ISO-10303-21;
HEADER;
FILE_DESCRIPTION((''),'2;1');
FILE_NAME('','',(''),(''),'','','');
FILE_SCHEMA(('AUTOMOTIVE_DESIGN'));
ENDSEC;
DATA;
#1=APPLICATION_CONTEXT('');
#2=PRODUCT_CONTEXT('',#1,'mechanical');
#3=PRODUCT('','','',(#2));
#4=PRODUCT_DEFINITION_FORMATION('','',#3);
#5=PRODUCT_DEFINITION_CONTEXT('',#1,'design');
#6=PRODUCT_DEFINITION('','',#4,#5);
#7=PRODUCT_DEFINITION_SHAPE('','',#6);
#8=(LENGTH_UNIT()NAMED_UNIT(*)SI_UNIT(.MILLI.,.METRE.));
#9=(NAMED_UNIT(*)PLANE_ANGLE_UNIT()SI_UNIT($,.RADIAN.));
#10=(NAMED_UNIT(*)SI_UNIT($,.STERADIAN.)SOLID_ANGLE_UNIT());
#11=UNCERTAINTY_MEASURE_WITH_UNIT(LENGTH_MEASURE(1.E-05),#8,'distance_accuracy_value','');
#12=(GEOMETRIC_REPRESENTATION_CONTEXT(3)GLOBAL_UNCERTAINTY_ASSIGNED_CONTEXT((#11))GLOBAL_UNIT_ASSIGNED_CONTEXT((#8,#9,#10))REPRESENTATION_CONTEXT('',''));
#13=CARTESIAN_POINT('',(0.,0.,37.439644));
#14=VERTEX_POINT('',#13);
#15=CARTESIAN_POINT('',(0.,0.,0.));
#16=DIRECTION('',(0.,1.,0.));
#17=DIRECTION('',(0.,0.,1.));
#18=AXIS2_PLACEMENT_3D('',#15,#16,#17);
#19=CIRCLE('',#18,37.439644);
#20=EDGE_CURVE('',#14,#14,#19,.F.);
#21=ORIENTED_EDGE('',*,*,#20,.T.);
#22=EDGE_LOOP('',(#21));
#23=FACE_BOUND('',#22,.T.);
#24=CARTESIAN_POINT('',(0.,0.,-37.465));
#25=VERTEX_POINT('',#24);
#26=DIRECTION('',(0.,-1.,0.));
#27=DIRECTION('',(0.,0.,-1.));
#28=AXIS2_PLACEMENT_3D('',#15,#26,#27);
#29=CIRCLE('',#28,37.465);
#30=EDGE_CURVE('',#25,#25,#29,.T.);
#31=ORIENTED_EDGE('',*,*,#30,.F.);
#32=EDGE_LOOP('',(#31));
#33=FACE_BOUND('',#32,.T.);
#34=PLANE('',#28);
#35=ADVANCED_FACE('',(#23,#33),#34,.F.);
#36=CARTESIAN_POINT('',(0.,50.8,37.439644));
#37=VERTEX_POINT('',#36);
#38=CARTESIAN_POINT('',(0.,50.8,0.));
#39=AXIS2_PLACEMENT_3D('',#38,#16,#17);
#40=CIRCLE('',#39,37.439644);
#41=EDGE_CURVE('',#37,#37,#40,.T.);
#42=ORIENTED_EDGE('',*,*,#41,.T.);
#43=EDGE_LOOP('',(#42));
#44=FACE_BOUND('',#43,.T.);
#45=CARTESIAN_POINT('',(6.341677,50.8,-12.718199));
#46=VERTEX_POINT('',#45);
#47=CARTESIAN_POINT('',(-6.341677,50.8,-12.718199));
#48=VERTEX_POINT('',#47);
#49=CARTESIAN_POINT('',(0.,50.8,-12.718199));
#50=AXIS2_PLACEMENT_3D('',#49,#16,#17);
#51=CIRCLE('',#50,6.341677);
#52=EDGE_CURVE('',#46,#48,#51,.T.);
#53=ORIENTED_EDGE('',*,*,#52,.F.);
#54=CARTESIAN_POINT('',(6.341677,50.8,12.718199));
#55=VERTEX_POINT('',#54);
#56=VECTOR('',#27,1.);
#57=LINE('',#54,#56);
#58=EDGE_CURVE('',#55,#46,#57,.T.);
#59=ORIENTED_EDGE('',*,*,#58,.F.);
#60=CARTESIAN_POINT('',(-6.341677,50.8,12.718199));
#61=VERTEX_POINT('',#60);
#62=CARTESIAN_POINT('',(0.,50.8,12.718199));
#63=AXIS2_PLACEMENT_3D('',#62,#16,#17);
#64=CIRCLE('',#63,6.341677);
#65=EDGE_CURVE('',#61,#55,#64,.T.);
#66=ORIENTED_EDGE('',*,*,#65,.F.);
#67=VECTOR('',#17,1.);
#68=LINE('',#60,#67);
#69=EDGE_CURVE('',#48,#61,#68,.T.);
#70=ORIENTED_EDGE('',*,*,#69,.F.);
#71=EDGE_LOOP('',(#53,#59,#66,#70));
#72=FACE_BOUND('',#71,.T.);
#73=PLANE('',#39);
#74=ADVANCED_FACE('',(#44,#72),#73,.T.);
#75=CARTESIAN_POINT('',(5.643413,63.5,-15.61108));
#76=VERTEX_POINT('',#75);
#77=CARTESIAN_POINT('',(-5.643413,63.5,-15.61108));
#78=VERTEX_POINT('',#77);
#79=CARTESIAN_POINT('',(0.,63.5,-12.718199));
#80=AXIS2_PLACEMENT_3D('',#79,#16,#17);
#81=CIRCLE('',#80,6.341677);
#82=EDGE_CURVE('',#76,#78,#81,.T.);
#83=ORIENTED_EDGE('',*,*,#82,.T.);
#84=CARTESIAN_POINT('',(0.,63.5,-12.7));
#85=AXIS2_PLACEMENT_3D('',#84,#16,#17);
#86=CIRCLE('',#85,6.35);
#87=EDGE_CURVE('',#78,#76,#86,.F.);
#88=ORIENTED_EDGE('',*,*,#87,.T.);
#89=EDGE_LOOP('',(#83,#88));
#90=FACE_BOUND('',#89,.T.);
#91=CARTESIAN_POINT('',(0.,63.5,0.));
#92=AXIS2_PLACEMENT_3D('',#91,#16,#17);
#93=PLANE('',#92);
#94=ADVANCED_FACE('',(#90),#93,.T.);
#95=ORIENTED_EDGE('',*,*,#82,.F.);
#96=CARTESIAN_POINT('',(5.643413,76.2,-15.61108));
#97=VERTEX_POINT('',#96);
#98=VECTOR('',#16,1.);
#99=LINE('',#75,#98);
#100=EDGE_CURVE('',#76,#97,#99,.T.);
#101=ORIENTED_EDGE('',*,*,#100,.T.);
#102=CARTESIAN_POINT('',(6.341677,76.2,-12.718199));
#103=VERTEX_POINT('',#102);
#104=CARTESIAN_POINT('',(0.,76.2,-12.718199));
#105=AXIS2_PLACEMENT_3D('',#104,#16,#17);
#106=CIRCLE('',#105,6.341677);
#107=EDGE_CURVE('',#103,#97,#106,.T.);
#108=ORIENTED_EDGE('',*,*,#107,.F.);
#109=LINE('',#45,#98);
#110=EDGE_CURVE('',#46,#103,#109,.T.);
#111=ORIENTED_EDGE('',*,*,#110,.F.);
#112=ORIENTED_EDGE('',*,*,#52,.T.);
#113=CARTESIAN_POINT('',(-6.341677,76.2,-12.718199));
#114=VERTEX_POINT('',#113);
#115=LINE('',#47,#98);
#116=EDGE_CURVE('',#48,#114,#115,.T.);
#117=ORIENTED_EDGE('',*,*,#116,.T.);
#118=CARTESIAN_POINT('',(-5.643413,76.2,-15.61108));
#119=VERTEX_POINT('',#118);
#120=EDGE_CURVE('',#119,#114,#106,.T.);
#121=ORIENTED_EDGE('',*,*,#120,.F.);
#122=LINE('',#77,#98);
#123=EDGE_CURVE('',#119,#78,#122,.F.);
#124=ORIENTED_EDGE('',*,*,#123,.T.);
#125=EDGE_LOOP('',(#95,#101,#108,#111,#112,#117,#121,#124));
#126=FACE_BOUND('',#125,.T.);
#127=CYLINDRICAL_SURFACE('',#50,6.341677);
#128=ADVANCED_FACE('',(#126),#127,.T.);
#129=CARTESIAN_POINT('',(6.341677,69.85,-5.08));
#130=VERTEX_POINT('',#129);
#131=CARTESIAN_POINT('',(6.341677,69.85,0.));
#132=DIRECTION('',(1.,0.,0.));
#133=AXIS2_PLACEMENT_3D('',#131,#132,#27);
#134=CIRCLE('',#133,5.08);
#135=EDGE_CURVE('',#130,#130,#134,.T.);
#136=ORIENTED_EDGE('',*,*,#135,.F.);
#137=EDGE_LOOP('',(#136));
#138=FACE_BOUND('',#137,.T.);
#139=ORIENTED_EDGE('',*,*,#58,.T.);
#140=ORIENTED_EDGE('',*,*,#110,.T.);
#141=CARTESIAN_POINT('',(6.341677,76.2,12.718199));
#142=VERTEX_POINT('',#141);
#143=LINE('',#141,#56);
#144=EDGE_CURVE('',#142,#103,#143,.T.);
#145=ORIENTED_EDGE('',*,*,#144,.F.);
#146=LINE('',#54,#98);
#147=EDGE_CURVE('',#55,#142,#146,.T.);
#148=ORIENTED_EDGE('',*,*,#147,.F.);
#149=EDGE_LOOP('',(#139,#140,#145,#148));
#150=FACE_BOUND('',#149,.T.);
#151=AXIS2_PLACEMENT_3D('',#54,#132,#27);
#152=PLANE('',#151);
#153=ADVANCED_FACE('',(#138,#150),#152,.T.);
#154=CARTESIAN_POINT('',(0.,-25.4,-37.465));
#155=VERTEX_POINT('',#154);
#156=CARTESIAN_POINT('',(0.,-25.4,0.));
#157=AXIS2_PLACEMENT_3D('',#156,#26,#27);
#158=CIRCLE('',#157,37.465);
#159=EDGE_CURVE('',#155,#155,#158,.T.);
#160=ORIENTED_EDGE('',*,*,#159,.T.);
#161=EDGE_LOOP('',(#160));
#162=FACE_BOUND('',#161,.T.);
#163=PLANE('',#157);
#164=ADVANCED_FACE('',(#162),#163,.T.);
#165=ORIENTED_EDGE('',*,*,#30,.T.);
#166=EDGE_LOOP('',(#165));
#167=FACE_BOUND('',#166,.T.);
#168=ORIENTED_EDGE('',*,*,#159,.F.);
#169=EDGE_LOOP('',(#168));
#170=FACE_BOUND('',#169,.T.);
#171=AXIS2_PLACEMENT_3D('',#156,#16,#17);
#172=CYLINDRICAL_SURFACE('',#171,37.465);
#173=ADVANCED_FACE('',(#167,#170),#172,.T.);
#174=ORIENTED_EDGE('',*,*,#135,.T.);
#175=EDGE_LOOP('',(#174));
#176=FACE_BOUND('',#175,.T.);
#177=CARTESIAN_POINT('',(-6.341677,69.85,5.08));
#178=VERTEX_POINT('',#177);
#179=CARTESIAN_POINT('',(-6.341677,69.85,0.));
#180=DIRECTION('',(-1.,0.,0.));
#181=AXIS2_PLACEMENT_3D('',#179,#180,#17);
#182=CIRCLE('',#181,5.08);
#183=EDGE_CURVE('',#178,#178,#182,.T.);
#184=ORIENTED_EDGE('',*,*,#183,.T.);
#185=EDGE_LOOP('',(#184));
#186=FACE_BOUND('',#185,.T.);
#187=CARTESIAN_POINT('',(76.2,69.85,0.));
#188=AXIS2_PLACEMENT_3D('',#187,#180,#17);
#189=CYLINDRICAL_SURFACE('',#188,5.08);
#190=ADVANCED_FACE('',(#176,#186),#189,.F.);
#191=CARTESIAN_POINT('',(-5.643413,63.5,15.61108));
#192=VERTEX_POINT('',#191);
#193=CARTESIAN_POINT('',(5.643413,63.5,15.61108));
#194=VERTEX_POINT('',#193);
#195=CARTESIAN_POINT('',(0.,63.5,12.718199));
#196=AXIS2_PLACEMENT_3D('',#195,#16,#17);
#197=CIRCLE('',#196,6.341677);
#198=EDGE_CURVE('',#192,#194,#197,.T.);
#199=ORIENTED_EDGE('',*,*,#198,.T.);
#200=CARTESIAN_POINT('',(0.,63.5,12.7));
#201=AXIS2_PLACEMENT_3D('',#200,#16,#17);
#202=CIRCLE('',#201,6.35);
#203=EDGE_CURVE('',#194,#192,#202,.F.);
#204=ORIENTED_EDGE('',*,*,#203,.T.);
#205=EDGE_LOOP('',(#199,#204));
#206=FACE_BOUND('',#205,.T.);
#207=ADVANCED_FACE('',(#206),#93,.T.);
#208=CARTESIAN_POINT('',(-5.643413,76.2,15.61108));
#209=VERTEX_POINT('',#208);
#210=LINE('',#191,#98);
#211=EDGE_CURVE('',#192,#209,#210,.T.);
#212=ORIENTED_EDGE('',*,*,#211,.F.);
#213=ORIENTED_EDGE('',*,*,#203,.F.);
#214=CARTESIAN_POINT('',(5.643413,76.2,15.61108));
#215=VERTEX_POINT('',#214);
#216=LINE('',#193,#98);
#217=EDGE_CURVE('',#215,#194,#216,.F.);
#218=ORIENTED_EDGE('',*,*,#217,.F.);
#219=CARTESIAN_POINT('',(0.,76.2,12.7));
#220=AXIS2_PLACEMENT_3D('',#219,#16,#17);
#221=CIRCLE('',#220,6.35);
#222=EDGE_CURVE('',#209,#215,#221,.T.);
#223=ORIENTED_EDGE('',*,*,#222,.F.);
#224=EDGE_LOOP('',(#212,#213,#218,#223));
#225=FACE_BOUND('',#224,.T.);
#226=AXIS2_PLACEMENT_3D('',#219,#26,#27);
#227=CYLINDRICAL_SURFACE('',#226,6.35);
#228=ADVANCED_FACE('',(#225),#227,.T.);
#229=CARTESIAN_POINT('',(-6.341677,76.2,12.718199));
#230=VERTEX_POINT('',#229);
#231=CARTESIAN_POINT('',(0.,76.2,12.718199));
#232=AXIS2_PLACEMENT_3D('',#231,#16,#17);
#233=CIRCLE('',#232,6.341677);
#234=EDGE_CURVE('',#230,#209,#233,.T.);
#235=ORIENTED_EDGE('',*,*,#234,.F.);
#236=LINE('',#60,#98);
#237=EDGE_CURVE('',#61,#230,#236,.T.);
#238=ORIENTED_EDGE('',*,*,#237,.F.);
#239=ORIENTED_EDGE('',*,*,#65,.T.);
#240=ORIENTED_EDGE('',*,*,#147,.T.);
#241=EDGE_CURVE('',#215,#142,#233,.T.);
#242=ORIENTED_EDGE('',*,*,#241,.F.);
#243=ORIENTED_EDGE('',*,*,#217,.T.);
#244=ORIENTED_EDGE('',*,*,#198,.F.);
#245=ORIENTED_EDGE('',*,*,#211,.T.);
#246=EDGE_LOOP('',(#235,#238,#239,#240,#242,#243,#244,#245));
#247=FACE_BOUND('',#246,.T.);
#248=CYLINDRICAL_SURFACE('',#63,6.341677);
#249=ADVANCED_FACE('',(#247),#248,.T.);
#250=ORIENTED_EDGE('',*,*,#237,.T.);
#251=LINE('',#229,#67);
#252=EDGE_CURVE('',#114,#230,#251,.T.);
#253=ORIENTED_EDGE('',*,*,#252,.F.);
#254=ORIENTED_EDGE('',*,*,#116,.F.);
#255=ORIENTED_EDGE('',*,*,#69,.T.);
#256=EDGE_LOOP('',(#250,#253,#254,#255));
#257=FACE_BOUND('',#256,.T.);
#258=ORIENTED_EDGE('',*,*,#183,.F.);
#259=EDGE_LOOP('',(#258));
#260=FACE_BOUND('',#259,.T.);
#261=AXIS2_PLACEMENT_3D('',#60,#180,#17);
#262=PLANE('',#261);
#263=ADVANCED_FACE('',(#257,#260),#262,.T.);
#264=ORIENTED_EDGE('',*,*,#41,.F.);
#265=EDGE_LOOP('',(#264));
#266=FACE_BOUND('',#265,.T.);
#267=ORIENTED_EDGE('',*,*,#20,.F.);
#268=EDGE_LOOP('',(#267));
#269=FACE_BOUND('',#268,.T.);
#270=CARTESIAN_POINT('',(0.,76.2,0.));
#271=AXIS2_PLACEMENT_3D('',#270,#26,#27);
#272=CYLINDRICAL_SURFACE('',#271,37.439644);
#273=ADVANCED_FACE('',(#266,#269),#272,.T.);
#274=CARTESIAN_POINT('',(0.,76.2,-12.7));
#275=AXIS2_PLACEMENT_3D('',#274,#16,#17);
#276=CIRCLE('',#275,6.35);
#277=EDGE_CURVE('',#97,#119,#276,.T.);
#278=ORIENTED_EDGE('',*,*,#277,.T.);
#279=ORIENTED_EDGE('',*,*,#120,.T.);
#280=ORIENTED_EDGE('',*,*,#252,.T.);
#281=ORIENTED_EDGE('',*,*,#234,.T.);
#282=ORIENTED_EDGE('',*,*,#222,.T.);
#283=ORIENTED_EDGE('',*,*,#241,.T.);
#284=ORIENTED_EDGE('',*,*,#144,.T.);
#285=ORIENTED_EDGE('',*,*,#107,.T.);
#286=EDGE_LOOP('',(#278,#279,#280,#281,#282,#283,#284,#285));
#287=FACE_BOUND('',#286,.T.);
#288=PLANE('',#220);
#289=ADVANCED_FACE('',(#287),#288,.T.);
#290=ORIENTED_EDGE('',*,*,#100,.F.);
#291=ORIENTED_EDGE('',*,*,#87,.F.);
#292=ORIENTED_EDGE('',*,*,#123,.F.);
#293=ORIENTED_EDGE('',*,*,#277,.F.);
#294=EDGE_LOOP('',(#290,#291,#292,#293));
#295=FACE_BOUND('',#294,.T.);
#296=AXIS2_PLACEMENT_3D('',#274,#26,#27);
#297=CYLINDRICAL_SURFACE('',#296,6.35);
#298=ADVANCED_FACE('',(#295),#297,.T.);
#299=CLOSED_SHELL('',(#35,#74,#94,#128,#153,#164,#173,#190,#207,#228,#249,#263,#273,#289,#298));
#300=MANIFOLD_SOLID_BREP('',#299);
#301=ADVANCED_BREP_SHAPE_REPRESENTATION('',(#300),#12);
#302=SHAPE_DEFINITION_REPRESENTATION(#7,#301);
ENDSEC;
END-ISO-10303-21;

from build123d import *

# Parameters (mm, degrees)
SKETCH1_R               = 38.1
BOSS_EXTRUDE1_DEPTH     = 63.5
BOSS_EXTRUDE2_DEPTH     = 76.2
SKETCH3_R               = 5.08
CUT_EXTRUDE1_DEPTH      = 76.2
CUT_EXTRUDE1_DEPTH_BACK = 76.2
SKETCH4_R               = 50.8
SKETCH4_R_2             = 37.439644023
CUT_EXTRUDE4_DEPTH      = 76.2
CUT_EXTRUDE4_DEPTH_BACK = 76.2
SKETCH5_R               = 38.1
CUT_EXTRUDE8_DEPTH      = 25.4
SKETCH6_R               = 37.465
BOSS_EXTRUDE4_DEPTH     = 25.4


with BuildPart() as part:
    # Sketch1 → Boss-Extrude1 (new body)
    with BuildSketch(Plane(origin=(0, 0, 0), x_dir=(1, 0, 0), z_dir=(0, 1, 0))):
        Circle(SKETCH1_R)
    extrude(amount=BOSS_EXTRUDE1_DEPTH)

    # Sketch2 → Boss-Extrude2 (add)
    with BuildSketch(Plane(origin=(0, 0, 0), x_dir=(1, 0, 0), z_dir=(0, 1, 0))):
        with BuildLine():
            Line((-6.35, -12.7), (-6.35, 12.7))
            ThreePointArc((-6.35, 12.7), (0, 19.05), (6.35, 12.7))
            Line((6.35, 12.7), (6.35, -12.7))
            ThreePointArc((6.35, -12.7), (0, -19.05), (-6.35, -12.7))
        make_face()
    extrude(amount=BOSS_EXTRUDE2_DEPTH)

    # Sketch3 → Cut-Extrude1 (cut, two sides)
    with BuildSketch(Plane(origin=(0, 0, 0), x_dir=(0, 0, -1), z_dir=(1, 0, 0))) as cut_extrude1_sk:
        with Locations((0, 69.85)):
            Circle(SKETCH3_R)
    extrude(amount=CUT_EXTRUDE1_DEPTH, mode=Mode.SUBTRACT)
    extrude(cut_extrude1_sk.sketch, amount=-CUT_EXTRUDE1_DEPTH_BACK, mode=Mode.SUBTRACT)

    # Sketch4 → Cut-Extrude4 (cut, two sides)
    with BuildSketch(Plane(origin=(0, 0, 0), x_dir=(1, 0, 0), z_dir=(0, 1, 0))) as cut_extrude4_sk:
        Circle(SKETCH4_R)
        Circle(SKETCH4_R_2, mode=Mode.SUBTRACT)
    extrude(amount=CUT_EXTRUDE4_DEPTH, mode=Mode.SUBTRACT)
    extrude(cut_extrude4_sk.sketch, amount=-CUT_EXTRUDE4_DEPTH_BACK, mode=Mode.SUBTRACT)

    # Sketch5 → Cut-Extrude8 (cut)
    with BuildSketch(Plane(origin=(0, 76.2, 0), x_dir=(1, 0, 0), z_dir=(0, 1, 0))):
        Circle(SKETCH5_R)
        with BuildLine():
            Line((-6.341677417, -12.718199215), (-6.341677417, 12.718199215))
            ThreePointArc((-6.341677417, 12.718199215), (0, 19.059876632), (6.341677417, 12.718199215))
            Line((6.341677417, 12.718199215), (6.341677417, -12.718199215))
            ThreePointArc((6.341677417, -12.718199215), (0, -19.059876632), (-6.341677417, -12.718199215))
        make_face(mode=Mode.SUBTRACT)
    extrude(amount=-CUT_EXTRUDE8_DEPTH, mode=Mode.SUBTRACT)

    # Sketch6 → Boss-Extrude4 (add)
    with BuildSketch(Plane(origin=(0, 0, 0), x_dir=(-1, 0, 0), z_dir=(0, -1, 0))):
        Circle(SKETCH6_R)
    extrude(amount=BOSS_EXTRUDE4_DEPTH)


solid = part.part
